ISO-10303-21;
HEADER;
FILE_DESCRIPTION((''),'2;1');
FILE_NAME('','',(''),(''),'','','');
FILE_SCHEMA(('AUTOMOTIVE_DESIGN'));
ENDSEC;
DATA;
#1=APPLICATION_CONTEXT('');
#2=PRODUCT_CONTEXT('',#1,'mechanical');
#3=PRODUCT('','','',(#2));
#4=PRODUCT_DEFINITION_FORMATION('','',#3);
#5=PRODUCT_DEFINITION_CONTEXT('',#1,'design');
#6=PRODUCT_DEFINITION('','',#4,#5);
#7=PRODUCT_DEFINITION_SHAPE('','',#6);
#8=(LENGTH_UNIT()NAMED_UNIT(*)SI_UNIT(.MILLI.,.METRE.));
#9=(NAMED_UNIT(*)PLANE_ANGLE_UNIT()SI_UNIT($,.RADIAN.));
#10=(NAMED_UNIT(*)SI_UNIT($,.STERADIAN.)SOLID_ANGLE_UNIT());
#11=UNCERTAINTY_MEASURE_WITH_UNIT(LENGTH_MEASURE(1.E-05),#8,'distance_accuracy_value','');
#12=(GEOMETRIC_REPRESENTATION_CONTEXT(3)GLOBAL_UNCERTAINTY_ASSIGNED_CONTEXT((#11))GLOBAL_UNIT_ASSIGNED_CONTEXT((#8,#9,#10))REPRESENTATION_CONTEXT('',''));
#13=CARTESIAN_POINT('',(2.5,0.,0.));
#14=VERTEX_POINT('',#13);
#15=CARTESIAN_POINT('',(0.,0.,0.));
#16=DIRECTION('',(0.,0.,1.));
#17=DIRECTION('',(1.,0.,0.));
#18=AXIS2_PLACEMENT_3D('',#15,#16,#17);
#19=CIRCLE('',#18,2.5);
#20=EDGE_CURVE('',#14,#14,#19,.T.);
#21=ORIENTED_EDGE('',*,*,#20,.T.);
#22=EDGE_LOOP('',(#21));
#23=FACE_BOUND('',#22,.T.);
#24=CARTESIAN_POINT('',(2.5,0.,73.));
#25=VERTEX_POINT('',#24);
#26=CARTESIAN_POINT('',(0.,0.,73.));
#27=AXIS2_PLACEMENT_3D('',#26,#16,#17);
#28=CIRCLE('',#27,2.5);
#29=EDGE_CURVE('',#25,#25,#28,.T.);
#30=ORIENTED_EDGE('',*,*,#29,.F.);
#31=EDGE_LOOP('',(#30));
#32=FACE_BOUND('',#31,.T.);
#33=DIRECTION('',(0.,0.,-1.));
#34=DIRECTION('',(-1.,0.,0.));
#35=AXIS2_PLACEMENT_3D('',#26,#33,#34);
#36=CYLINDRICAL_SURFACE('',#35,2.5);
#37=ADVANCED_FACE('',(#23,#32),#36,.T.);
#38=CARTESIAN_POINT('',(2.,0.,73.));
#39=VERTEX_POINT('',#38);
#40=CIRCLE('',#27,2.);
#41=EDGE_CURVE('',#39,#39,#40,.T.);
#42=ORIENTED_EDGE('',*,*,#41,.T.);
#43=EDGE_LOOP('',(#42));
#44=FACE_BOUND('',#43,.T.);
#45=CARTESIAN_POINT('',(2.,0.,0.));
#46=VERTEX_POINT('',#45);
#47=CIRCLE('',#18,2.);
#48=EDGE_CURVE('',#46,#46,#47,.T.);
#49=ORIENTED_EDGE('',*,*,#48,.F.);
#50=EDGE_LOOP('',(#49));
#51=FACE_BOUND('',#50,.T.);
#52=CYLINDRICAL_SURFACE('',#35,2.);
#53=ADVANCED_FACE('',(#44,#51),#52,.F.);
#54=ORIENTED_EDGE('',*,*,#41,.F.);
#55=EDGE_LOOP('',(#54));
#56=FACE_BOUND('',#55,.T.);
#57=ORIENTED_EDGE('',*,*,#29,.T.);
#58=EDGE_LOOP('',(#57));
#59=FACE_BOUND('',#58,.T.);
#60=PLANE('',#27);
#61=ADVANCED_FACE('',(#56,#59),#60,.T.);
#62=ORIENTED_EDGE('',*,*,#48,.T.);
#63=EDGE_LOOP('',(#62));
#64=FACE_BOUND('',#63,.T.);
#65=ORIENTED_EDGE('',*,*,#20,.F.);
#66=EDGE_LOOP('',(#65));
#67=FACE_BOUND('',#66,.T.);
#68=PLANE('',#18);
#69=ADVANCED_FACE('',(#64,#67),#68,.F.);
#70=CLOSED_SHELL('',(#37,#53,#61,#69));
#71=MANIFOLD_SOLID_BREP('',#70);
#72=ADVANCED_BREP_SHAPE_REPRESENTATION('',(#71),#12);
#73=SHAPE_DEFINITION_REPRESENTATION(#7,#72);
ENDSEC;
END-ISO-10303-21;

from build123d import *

# Parameters (mm, degrees)
SKETCH_1_R      = 2.5
SKETCH_1_R_2    = 2
EXTRUDE_1_DEPTH = 73


with BuildPart() as part:
    # ｽｹｯﾁ1 → ﾎﾞｽ - 押し出し1 (new body)
    with BuildSketch(Plane.XY):
        Circle(SKETCH_1_R)
        Circle(SKETCH_1_R_2, mode=Mode.SUBTRACT)
    extrude(amount=EXTRUDE_1_DEPTH)


solid = part.part
